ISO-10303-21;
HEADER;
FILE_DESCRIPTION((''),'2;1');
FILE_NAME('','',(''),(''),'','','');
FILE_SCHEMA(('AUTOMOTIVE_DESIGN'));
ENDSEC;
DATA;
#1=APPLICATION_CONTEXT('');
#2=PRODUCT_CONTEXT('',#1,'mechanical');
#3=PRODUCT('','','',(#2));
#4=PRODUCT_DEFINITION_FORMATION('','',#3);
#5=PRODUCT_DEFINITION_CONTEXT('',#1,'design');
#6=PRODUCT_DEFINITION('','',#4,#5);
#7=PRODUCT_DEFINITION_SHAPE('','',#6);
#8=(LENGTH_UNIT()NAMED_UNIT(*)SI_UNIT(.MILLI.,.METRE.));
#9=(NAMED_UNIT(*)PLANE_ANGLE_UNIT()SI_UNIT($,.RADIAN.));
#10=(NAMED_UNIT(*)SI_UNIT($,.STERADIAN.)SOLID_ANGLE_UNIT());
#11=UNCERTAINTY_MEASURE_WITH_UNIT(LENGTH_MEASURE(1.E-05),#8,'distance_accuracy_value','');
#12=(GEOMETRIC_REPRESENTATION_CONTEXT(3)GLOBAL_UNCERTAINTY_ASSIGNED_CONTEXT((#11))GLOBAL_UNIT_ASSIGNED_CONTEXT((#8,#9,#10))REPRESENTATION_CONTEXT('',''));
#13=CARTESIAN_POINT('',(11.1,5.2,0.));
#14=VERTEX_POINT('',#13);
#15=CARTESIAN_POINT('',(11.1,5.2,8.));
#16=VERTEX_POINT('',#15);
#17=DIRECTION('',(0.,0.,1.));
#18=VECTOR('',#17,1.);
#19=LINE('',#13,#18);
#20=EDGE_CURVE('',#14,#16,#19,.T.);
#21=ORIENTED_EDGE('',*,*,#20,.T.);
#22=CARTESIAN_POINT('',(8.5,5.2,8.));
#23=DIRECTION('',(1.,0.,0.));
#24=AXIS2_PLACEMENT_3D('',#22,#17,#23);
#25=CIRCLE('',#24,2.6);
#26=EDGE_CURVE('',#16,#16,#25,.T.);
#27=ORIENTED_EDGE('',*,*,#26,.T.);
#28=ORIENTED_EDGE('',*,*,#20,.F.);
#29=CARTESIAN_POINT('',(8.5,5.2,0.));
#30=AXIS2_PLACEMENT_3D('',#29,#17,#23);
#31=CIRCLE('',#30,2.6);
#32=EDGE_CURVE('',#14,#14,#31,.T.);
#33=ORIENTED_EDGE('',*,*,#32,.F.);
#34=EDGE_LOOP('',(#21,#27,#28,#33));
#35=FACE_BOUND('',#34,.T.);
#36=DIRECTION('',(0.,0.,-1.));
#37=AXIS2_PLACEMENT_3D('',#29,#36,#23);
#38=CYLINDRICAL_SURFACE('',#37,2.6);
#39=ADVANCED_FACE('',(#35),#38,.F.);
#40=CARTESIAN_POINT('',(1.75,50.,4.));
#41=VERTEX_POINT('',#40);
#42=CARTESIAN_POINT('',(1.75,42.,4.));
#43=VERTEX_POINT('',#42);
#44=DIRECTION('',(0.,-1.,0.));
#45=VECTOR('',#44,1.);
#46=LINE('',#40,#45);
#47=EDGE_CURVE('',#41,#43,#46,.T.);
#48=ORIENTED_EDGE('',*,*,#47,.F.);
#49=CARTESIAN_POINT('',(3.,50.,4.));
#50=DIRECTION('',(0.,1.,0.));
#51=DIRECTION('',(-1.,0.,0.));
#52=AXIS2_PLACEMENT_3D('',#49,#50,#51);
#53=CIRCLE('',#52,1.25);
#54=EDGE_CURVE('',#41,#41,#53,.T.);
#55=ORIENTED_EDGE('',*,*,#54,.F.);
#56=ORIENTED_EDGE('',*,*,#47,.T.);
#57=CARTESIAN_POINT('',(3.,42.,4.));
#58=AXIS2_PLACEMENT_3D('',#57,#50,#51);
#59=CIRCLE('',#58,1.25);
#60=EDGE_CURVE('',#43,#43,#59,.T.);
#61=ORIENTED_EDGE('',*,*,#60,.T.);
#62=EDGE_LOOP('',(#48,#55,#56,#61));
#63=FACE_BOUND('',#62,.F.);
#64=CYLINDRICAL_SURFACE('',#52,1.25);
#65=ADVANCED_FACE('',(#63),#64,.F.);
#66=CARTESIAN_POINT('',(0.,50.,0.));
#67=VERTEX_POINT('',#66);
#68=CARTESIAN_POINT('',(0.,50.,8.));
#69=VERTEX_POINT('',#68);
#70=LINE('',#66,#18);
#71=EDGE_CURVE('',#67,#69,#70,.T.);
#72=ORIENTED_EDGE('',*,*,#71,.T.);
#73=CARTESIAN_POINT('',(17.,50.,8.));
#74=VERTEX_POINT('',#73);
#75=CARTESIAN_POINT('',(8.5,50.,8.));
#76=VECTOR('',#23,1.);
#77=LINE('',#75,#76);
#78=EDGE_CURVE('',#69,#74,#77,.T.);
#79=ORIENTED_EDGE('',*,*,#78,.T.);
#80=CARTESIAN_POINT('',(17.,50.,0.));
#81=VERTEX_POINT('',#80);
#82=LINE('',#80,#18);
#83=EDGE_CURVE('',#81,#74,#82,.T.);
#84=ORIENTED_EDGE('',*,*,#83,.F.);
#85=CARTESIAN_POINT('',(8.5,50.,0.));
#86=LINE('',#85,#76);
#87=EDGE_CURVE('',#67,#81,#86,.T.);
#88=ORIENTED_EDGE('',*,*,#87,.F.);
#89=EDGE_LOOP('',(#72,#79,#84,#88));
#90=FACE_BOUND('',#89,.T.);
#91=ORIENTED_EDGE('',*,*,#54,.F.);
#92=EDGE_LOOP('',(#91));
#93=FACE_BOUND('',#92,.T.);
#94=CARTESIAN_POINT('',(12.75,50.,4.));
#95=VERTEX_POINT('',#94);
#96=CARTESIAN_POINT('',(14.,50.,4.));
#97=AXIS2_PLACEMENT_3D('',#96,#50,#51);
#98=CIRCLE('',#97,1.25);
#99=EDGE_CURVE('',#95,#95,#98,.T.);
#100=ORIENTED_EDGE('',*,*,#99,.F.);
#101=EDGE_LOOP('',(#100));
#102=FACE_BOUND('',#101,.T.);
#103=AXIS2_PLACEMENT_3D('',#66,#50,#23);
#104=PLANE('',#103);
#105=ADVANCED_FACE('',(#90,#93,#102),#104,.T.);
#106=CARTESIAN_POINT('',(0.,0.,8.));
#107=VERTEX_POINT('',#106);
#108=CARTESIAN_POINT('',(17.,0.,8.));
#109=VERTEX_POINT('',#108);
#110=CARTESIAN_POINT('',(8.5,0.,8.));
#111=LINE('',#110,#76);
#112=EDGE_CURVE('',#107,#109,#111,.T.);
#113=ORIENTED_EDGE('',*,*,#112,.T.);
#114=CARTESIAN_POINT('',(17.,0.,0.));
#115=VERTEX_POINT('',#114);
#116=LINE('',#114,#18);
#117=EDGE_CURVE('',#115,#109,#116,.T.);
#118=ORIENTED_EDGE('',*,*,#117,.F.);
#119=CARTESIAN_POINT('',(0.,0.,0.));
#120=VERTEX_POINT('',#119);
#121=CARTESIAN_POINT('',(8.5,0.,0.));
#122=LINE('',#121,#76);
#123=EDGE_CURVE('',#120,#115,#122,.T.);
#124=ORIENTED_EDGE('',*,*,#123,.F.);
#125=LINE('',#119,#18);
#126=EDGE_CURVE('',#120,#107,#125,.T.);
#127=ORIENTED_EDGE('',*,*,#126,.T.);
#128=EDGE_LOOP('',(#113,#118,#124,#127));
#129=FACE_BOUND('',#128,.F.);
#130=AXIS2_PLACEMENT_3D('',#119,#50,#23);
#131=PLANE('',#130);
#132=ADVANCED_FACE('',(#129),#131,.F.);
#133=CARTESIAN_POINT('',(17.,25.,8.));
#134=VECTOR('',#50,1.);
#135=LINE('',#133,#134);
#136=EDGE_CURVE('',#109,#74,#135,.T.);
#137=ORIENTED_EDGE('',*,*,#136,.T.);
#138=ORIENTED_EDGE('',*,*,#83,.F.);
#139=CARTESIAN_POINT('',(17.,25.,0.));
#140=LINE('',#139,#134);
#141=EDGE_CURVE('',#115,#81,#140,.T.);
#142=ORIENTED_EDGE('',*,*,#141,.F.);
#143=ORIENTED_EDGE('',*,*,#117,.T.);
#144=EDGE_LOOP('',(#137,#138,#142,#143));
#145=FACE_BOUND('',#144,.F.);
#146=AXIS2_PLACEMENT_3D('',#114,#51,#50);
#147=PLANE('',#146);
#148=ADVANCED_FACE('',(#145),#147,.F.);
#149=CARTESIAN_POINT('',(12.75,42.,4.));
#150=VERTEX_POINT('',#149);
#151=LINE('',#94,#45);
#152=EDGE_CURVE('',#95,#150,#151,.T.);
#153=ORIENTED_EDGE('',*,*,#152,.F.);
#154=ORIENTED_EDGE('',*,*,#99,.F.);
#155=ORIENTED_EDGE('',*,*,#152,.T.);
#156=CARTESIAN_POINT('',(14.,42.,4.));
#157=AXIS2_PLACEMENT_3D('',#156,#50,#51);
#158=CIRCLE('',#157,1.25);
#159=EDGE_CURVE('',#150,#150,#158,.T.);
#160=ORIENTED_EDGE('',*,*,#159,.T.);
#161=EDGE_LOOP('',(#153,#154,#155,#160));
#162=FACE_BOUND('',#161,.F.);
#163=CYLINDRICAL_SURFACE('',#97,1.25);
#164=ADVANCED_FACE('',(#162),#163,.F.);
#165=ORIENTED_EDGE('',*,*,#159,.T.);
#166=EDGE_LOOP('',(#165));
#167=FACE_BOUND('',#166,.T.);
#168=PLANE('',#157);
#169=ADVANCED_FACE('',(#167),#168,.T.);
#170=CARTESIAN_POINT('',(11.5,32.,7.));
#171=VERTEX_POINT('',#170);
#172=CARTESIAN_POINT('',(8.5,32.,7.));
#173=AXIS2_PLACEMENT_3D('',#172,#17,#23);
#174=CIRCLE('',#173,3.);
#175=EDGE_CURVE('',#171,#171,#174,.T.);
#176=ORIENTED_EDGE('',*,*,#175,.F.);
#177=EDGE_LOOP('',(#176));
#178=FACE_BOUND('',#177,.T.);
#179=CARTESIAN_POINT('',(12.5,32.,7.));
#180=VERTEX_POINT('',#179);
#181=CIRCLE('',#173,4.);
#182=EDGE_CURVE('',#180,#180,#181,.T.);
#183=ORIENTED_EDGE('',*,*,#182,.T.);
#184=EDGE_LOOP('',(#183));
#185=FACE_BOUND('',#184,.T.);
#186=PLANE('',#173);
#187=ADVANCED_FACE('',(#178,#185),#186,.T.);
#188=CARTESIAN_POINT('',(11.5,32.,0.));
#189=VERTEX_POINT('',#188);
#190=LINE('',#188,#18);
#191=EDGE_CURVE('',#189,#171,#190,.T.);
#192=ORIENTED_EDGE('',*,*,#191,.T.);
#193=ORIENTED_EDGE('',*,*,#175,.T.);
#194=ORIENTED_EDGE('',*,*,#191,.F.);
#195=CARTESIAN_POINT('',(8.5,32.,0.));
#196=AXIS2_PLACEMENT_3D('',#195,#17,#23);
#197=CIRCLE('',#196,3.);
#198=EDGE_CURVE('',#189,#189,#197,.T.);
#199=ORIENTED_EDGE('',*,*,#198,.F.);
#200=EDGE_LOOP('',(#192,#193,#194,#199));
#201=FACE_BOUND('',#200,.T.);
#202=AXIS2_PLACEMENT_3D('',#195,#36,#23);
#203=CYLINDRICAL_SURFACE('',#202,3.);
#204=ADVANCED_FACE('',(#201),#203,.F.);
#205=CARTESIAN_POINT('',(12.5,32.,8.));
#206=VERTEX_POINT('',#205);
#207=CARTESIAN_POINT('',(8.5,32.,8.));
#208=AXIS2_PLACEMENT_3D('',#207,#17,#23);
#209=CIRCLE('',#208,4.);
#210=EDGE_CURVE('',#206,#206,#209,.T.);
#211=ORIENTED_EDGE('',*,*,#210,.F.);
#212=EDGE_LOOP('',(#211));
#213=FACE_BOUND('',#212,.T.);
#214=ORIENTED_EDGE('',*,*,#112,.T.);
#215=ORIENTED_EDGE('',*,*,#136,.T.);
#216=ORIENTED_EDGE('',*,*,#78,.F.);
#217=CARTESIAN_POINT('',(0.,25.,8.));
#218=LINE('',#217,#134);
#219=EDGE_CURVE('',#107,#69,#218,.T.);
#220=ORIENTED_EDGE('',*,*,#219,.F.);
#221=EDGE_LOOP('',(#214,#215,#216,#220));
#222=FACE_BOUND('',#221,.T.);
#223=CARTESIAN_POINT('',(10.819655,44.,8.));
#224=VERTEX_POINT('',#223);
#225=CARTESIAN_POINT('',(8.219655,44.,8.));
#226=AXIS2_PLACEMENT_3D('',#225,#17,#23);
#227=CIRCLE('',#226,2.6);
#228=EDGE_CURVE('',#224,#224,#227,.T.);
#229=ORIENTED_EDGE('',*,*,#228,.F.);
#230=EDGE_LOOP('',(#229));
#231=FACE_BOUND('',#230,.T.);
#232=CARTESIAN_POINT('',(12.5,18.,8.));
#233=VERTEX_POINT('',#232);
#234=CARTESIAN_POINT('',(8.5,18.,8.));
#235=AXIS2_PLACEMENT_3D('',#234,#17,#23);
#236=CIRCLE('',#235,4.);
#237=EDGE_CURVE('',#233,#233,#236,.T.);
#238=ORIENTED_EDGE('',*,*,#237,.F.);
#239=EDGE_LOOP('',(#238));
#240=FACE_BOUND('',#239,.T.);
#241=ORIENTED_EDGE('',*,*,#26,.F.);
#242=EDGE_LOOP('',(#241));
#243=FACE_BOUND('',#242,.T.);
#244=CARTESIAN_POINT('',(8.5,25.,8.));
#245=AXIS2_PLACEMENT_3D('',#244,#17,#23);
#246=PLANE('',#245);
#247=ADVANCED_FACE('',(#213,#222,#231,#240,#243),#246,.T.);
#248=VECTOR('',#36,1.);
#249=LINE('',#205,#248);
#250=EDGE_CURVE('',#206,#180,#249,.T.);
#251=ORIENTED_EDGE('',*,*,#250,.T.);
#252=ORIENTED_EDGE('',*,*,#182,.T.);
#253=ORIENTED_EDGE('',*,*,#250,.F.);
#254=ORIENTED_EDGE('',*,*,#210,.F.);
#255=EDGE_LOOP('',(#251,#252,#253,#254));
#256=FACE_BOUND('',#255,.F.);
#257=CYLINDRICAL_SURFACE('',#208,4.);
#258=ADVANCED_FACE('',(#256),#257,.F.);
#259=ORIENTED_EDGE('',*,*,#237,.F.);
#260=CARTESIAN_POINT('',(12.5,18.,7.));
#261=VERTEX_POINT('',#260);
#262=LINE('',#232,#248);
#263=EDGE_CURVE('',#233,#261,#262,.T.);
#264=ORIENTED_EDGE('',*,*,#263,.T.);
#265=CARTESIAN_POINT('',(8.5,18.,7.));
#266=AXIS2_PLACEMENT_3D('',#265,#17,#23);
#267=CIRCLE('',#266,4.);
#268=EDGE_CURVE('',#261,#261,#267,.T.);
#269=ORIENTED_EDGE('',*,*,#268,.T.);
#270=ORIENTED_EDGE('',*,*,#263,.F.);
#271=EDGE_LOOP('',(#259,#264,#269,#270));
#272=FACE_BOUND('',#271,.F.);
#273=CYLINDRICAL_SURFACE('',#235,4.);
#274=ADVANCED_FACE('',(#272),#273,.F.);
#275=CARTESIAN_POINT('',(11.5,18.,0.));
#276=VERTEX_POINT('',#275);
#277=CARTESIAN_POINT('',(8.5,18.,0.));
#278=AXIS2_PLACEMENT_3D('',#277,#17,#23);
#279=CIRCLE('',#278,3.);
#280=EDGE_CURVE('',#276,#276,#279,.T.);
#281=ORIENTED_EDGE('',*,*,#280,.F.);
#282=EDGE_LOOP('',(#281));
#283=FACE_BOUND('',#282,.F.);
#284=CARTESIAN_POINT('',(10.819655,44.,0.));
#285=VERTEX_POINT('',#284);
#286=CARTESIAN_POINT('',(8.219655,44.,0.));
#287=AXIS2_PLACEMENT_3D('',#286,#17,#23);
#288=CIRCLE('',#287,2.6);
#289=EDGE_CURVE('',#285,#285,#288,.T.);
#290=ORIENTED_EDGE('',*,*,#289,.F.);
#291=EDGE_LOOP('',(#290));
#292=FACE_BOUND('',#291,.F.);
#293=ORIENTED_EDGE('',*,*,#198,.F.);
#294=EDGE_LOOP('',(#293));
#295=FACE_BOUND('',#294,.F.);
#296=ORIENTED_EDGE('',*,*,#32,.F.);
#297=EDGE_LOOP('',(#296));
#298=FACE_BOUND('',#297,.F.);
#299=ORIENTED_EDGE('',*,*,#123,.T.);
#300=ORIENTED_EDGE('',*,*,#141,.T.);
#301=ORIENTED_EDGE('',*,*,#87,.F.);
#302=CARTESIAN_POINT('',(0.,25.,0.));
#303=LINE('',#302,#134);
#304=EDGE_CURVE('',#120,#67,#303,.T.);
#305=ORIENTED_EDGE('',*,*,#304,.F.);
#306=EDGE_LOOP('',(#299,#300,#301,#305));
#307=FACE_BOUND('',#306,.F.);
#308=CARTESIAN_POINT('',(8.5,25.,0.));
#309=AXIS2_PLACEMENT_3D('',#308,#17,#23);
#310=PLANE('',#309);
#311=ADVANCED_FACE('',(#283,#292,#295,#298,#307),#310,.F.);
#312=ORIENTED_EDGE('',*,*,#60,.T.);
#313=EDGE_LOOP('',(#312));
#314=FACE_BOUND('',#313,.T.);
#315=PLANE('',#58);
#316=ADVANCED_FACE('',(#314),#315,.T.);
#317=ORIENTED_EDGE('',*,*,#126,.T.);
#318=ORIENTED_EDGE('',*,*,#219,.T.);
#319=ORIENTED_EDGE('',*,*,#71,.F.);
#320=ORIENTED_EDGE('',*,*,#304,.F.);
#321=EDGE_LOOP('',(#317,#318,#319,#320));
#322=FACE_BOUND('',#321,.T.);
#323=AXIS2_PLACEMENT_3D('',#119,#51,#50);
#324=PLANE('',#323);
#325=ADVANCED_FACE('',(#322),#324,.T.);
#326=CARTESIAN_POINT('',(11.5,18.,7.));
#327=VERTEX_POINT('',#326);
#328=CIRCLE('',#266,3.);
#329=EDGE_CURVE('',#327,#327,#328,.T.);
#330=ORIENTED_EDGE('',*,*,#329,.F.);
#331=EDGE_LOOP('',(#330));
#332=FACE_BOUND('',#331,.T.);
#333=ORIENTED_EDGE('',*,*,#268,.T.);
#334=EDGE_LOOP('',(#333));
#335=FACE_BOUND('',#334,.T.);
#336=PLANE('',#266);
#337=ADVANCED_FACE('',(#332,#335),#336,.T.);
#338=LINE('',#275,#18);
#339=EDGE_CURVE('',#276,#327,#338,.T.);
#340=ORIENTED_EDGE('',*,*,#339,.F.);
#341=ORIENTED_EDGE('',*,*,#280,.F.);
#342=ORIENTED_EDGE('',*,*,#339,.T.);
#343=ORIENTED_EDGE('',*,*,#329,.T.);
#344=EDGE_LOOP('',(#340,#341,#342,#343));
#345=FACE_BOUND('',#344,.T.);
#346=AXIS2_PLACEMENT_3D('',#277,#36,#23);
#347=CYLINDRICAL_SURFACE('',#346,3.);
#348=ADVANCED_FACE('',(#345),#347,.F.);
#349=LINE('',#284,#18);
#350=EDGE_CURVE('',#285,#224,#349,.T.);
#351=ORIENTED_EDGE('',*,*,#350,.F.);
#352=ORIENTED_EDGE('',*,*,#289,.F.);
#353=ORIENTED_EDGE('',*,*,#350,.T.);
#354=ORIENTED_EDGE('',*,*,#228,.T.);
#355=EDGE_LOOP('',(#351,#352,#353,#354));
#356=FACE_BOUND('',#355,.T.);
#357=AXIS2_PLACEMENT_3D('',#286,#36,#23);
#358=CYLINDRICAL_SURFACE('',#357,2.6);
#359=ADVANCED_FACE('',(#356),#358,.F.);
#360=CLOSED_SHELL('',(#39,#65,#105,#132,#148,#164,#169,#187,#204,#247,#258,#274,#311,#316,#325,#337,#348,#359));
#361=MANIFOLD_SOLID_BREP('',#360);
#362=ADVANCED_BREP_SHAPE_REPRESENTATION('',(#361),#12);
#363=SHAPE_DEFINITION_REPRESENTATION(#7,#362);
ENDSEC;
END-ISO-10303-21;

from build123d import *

# Parameters (mm, degrees)
F0_W     = 17
F0_H     = 50
F0_R     = 2.6
F0_R_2   = 3
F1_DEPTH = 8
F2_R     = 4
F2_R_2   = 3
F3_DEPTH = 1
F4_R     = 1.25
F5_DEPTH = 8


with BuildPart() as f1:
    # F0 (on Top) → F1 (new body)
    with BuildSketch(Plane.XY):
        with Locations((8.5, 25)):
            Rectangle(F0_W, F0_H)
        with Locations((8.5, 5.2)):
            Circle(F0_R, mode=Mode.SUBTRACT)
        with Locations((8.5, 18)):
            Circle(F0_R_2, mode=Mode.SUBTRACT)
        with Locations((8.219655, 44)):
            Circle(F0_R, mode=Mode.SUBTRACT)
        with Locations((8.5, 32)):
            Circle(F0_R_2, mode=Mode.SUBTRACT)
    extrude(amount=F1_DEPTH)

    # F2 (on face) → F3 (cut)
    with BuildSketch(Plane.XY.offset(8)):
        with Locations((8.5, 32)):
            Circle(F2_R)
        with Locations((8.5, 32)):
            Circle(F2_R_2, mode=Mode.SUBTRACT)
        with Locations((8.5, 18)):
            Circle(F2_R)
        with Locations((8.5, 18)):
            Circle(F2_R_2, mode=Mode.SUBTRACT)
    extrude(amount=-F3_DEPTH, mode=Mode.SUBTRACT)

    # F4 (on face) → F5 (cut)
    with BuildSketch(Plane(origin=(0, 50, 0), x_dir=(-1, 0, 0), z_dir=(0, 1, 0))):
        with Locations((-14, 4)):
            Circle(F4_R)
        with Locations((-3, 4)):
            Circle(F4_R)
    extrude(amount=-F5_DEPTH, mode=Mode.SUBTRACT)


solid = f1.part
